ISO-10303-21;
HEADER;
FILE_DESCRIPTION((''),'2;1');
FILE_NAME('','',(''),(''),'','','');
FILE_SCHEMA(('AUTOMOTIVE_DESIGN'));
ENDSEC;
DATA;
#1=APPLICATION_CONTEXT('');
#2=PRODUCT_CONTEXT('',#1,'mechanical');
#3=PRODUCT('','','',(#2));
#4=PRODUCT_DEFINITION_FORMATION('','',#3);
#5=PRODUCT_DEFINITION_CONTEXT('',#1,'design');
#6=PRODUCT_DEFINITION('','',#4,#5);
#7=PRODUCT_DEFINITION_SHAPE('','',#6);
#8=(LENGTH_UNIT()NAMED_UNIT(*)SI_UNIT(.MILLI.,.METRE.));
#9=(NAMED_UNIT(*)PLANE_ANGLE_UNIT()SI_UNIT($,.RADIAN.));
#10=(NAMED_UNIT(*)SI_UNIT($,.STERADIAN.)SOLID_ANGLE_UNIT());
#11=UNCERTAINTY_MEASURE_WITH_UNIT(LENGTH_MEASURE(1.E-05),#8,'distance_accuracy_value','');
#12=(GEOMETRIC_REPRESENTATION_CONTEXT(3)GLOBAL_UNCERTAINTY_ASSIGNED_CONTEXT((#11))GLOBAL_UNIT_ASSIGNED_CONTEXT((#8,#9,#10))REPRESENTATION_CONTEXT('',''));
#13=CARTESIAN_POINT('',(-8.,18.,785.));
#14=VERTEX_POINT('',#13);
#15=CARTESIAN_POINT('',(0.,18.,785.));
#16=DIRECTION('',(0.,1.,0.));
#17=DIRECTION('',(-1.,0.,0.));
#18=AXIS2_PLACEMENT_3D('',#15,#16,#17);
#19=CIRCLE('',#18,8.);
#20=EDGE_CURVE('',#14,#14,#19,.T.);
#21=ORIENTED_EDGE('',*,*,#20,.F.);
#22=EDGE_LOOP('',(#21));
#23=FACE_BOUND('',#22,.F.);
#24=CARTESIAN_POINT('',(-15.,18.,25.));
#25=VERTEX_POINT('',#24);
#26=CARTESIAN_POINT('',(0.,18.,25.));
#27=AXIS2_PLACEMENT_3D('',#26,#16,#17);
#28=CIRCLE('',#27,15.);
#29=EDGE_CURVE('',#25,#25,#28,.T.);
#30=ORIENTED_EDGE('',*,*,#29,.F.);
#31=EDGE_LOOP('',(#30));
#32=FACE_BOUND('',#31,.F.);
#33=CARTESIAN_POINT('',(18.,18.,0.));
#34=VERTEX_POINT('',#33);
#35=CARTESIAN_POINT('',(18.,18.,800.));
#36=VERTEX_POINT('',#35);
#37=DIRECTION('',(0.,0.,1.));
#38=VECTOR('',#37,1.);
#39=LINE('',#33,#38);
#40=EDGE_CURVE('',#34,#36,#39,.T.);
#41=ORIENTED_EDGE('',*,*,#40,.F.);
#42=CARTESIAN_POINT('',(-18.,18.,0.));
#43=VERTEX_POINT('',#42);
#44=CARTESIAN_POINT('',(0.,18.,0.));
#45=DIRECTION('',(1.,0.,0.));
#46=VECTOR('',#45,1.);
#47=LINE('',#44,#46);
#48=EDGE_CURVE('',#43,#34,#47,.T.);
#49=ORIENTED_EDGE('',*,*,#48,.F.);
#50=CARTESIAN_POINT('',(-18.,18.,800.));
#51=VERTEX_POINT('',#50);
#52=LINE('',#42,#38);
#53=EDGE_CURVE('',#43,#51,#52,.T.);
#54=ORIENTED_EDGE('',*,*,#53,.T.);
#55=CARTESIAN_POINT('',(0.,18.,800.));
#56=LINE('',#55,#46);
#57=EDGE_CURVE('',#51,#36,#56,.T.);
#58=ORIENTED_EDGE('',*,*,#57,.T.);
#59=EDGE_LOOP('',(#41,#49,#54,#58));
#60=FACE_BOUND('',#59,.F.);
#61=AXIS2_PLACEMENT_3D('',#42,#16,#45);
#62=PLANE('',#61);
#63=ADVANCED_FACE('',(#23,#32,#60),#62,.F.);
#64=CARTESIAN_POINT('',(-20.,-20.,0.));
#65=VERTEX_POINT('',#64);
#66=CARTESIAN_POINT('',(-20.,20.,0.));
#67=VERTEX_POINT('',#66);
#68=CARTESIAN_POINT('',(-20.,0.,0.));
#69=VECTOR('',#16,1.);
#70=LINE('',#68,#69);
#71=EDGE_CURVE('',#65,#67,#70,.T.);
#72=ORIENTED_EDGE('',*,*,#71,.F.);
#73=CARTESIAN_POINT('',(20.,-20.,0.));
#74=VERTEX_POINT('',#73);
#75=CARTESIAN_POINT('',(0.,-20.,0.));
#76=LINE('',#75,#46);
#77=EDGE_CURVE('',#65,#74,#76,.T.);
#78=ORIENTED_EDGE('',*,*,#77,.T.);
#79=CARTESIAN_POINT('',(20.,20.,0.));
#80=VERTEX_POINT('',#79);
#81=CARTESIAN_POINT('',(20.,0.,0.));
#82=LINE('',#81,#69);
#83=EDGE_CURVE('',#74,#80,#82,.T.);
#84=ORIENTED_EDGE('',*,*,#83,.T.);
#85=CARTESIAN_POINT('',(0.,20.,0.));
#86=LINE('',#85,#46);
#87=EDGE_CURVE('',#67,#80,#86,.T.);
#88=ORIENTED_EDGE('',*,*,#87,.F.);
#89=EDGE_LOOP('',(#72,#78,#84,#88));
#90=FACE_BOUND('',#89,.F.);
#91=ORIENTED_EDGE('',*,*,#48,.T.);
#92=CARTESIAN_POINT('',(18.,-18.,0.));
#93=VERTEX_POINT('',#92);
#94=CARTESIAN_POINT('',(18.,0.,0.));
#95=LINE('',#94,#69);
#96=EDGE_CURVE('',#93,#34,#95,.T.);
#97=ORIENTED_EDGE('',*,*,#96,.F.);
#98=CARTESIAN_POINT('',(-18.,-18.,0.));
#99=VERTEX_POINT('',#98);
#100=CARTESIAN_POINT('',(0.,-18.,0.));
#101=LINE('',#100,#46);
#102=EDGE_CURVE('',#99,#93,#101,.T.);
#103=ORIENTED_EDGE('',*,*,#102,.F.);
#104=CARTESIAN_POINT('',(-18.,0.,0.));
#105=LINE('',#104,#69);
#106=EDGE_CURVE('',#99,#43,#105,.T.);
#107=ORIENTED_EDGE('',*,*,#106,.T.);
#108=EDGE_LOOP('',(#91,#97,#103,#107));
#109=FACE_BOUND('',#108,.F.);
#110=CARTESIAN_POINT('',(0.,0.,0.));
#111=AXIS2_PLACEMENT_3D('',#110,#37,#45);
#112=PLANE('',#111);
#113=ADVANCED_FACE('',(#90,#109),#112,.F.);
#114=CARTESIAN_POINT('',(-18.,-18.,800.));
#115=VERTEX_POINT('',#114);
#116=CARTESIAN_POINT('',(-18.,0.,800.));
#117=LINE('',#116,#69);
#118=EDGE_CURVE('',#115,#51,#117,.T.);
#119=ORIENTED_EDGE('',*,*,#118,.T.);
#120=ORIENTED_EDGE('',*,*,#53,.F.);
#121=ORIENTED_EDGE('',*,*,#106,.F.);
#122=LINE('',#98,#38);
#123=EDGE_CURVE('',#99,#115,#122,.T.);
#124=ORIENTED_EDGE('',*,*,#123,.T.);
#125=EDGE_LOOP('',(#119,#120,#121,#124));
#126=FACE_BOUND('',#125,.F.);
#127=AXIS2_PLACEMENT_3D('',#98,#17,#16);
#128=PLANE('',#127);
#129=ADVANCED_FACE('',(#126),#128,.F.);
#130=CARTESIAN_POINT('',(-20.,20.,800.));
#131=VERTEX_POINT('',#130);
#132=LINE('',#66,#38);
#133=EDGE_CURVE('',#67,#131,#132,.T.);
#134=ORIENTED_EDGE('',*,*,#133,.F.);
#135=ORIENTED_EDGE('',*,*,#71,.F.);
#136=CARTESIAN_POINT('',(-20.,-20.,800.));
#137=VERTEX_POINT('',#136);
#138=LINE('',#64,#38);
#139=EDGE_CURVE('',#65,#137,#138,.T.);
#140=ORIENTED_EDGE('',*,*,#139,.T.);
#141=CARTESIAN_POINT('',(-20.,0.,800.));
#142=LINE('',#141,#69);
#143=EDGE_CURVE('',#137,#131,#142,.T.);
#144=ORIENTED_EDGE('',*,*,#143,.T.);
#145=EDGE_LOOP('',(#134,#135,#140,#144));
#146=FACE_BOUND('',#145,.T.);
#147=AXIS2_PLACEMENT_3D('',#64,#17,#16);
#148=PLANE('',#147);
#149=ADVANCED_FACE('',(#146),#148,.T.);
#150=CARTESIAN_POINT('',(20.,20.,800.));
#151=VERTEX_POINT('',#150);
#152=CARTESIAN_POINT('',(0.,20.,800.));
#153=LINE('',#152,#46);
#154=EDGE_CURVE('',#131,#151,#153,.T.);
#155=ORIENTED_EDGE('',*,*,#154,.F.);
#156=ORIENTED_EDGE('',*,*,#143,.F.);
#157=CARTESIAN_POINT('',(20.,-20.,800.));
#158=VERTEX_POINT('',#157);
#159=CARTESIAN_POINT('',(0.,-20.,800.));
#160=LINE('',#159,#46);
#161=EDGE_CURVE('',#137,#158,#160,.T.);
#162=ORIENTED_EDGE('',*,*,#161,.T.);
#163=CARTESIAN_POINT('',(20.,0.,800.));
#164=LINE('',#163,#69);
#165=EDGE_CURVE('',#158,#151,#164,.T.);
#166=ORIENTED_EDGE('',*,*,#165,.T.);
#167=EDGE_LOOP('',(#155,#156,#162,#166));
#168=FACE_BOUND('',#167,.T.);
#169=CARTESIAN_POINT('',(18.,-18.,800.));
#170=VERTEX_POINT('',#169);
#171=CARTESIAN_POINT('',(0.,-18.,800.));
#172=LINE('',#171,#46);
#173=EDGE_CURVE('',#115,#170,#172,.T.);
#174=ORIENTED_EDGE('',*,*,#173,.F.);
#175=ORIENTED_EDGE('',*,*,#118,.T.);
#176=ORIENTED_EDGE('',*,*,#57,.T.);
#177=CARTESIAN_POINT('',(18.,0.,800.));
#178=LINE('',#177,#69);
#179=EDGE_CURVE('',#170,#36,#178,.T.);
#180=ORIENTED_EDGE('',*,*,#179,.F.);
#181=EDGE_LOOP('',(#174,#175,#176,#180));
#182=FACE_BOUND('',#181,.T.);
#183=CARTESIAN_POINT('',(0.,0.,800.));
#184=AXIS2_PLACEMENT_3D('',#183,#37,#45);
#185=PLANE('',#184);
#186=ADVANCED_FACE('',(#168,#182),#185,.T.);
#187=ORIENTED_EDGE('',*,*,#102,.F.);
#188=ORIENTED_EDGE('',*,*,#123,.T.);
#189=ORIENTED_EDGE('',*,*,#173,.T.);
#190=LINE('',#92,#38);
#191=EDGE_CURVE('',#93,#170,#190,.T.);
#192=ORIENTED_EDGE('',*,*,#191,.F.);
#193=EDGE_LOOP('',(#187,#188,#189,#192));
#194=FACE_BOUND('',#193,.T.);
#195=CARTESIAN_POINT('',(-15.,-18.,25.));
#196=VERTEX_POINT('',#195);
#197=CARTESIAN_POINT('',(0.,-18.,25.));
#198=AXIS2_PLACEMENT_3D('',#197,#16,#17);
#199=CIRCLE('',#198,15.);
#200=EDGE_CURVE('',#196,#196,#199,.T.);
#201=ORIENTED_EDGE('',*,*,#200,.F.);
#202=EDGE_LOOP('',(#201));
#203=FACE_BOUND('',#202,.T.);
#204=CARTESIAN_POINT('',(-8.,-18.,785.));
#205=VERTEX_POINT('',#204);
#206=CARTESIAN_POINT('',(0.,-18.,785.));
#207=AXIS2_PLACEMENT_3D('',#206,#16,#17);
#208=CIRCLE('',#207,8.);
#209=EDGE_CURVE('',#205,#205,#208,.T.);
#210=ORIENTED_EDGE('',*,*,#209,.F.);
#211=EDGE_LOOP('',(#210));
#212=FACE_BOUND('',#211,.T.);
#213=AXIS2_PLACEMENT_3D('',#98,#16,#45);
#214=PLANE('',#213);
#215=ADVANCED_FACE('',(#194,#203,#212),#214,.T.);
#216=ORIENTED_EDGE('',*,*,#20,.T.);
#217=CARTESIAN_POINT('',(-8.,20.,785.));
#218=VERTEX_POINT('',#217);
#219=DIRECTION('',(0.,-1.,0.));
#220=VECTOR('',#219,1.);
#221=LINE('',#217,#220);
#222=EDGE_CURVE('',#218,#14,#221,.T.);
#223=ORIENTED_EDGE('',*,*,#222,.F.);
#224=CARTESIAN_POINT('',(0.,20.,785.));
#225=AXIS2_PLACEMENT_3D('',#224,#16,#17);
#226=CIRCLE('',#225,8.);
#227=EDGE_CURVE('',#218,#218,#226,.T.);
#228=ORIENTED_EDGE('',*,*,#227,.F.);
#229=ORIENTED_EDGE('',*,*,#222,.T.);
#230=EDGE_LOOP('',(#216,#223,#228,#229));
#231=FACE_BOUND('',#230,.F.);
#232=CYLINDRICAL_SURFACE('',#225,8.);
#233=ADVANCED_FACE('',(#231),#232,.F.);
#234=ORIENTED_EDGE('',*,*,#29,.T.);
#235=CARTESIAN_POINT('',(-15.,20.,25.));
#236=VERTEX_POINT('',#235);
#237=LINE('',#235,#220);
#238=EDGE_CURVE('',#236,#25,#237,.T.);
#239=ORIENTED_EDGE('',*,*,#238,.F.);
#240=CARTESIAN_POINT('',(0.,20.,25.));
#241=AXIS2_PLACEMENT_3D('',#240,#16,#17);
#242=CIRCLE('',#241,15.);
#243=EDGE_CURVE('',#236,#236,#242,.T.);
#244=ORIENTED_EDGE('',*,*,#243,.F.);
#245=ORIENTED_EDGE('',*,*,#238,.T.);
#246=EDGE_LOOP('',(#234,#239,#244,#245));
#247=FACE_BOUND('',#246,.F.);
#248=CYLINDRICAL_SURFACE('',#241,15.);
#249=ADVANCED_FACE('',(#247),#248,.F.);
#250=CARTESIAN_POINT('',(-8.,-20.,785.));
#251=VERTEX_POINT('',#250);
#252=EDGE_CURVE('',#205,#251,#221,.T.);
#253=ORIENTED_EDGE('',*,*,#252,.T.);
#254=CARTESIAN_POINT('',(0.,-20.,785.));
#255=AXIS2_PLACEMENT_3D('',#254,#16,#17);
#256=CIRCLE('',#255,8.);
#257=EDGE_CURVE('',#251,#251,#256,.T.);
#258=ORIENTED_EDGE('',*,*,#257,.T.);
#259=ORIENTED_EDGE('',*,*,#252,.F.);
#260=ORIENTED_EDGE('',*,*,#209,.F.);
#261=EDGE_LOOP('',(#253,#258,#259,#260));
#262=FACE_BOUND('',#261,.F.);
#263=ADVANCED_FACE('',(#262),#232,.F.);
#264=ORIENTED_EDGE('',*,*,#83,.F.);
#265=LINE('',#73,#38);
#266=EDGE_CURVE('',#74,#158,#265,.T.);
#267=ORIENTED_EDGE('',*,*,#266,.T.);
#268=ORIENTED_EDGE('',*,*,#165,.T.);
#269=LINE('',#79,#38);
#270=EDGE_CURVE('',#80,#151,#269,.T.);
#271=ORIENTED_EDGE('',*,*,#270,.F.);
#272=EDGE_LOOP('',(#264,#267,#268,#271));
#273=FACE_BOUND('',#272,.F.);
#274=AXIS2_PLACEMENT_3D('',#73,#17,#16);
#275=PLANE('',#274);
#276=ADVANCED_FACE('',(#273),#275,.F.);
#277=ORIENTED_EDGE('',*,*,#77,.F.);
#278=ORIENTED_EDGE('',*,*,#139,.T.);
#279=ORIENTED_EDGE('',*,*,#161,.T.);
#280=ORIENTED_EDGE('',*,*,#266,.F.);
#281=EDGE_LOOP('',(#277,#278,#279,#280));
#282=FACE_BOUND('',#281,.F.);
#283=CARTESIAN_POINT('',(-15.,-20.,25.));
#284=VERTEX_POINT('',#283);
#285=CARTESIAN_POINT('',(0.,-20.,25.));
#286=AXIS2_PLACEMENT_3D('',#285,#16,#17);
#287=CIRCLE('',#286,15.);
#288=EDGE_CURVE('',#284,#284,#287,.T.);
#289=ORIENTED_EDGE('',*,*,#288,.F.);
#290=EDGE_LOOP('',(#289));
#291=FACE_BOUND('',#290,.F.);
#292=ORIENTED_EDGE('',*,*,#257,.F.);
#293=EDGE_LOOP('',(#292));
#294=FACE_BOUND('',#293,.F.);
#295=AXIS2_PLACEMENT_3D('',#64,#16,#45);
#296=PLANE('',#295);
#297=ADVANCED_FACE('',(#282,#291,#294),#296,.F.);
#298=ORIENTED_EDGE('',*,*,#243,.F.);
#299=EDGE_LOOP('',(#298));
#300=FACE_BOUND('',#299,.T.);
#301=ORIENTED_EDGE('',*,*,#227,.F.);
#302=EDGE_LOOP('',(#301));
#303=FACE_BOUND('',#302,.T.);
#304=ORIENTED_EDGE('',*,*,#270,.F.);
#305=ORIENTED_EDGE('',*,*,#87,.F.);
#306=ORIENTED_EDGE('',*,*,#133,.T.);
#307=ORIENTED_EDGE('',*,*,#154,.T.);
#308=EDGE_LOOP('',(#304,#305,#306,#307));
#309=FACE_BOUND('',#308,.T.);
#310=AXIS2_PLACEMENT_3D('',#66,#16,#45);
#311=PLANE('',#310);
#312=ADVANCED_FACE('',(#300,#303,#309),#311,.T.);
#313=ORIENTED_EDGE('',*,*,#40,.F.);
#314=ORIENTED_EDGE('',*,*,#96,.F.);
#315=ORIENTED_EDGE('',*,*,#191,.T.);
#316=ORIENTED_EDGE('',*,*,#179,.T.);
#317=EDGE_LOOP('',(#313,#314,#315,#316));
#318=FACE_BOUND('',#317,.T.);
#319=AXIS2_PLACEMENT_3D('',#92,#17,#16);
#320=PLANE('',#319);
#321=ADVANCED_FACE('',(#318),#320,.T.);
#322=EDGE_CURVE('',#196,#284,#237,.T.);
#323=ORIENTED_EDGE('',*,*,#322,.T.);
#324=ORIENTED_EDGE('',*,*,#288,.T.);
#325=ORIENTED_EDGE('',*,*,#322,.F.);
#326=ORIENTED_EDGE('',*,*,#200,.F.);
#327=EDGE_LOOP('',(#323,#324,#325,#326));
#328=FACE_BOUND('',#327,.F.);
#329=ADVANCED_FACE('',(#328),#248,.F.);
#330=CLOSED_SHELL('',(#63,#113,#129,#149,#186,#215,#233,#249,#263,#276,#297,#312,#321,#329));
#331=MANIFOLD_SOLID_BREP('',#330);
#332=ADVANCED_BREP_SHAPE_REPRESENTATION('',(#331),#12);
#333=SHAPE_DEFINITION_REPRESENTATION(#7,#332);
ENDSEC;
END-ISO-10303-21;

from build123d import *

# Parameters (mm, degrees)
F0_W     = 40
F0_H     = 40
F0_W_2   = 36
F0_H_2   = 36
F1_DEPTH = 800
F2_R     = 8
F2_R_2   = 15
F3_DEPTH = 40.001


with BuildPart() as f1:
    # F0 (on Top) → F1 (new body)
    with BuildSketch(Plane.XY):
        Rectangle(F0_W, F0_H)
        Rectangle(F0_W_2, F0_H_2, mode=Mode.SUBTRACT)
    extrude(amount=F1_DEPTH)

    # F2 (on face) → F3 (cut, through all)
    with BuildSketch(Plane(origin=(0, 20, 0), x_dir=(-1, 0, 0), z_dir=(0, 1, 0))):
        with Locations((0, 785)):
            Circle(F2_R)
        with Locations((0, 25)):
            Circle(F2_R_2)
    extrude(amount=-F3_DEPTH, mode=Mode.SUBTRACT)


solid = f1.part
